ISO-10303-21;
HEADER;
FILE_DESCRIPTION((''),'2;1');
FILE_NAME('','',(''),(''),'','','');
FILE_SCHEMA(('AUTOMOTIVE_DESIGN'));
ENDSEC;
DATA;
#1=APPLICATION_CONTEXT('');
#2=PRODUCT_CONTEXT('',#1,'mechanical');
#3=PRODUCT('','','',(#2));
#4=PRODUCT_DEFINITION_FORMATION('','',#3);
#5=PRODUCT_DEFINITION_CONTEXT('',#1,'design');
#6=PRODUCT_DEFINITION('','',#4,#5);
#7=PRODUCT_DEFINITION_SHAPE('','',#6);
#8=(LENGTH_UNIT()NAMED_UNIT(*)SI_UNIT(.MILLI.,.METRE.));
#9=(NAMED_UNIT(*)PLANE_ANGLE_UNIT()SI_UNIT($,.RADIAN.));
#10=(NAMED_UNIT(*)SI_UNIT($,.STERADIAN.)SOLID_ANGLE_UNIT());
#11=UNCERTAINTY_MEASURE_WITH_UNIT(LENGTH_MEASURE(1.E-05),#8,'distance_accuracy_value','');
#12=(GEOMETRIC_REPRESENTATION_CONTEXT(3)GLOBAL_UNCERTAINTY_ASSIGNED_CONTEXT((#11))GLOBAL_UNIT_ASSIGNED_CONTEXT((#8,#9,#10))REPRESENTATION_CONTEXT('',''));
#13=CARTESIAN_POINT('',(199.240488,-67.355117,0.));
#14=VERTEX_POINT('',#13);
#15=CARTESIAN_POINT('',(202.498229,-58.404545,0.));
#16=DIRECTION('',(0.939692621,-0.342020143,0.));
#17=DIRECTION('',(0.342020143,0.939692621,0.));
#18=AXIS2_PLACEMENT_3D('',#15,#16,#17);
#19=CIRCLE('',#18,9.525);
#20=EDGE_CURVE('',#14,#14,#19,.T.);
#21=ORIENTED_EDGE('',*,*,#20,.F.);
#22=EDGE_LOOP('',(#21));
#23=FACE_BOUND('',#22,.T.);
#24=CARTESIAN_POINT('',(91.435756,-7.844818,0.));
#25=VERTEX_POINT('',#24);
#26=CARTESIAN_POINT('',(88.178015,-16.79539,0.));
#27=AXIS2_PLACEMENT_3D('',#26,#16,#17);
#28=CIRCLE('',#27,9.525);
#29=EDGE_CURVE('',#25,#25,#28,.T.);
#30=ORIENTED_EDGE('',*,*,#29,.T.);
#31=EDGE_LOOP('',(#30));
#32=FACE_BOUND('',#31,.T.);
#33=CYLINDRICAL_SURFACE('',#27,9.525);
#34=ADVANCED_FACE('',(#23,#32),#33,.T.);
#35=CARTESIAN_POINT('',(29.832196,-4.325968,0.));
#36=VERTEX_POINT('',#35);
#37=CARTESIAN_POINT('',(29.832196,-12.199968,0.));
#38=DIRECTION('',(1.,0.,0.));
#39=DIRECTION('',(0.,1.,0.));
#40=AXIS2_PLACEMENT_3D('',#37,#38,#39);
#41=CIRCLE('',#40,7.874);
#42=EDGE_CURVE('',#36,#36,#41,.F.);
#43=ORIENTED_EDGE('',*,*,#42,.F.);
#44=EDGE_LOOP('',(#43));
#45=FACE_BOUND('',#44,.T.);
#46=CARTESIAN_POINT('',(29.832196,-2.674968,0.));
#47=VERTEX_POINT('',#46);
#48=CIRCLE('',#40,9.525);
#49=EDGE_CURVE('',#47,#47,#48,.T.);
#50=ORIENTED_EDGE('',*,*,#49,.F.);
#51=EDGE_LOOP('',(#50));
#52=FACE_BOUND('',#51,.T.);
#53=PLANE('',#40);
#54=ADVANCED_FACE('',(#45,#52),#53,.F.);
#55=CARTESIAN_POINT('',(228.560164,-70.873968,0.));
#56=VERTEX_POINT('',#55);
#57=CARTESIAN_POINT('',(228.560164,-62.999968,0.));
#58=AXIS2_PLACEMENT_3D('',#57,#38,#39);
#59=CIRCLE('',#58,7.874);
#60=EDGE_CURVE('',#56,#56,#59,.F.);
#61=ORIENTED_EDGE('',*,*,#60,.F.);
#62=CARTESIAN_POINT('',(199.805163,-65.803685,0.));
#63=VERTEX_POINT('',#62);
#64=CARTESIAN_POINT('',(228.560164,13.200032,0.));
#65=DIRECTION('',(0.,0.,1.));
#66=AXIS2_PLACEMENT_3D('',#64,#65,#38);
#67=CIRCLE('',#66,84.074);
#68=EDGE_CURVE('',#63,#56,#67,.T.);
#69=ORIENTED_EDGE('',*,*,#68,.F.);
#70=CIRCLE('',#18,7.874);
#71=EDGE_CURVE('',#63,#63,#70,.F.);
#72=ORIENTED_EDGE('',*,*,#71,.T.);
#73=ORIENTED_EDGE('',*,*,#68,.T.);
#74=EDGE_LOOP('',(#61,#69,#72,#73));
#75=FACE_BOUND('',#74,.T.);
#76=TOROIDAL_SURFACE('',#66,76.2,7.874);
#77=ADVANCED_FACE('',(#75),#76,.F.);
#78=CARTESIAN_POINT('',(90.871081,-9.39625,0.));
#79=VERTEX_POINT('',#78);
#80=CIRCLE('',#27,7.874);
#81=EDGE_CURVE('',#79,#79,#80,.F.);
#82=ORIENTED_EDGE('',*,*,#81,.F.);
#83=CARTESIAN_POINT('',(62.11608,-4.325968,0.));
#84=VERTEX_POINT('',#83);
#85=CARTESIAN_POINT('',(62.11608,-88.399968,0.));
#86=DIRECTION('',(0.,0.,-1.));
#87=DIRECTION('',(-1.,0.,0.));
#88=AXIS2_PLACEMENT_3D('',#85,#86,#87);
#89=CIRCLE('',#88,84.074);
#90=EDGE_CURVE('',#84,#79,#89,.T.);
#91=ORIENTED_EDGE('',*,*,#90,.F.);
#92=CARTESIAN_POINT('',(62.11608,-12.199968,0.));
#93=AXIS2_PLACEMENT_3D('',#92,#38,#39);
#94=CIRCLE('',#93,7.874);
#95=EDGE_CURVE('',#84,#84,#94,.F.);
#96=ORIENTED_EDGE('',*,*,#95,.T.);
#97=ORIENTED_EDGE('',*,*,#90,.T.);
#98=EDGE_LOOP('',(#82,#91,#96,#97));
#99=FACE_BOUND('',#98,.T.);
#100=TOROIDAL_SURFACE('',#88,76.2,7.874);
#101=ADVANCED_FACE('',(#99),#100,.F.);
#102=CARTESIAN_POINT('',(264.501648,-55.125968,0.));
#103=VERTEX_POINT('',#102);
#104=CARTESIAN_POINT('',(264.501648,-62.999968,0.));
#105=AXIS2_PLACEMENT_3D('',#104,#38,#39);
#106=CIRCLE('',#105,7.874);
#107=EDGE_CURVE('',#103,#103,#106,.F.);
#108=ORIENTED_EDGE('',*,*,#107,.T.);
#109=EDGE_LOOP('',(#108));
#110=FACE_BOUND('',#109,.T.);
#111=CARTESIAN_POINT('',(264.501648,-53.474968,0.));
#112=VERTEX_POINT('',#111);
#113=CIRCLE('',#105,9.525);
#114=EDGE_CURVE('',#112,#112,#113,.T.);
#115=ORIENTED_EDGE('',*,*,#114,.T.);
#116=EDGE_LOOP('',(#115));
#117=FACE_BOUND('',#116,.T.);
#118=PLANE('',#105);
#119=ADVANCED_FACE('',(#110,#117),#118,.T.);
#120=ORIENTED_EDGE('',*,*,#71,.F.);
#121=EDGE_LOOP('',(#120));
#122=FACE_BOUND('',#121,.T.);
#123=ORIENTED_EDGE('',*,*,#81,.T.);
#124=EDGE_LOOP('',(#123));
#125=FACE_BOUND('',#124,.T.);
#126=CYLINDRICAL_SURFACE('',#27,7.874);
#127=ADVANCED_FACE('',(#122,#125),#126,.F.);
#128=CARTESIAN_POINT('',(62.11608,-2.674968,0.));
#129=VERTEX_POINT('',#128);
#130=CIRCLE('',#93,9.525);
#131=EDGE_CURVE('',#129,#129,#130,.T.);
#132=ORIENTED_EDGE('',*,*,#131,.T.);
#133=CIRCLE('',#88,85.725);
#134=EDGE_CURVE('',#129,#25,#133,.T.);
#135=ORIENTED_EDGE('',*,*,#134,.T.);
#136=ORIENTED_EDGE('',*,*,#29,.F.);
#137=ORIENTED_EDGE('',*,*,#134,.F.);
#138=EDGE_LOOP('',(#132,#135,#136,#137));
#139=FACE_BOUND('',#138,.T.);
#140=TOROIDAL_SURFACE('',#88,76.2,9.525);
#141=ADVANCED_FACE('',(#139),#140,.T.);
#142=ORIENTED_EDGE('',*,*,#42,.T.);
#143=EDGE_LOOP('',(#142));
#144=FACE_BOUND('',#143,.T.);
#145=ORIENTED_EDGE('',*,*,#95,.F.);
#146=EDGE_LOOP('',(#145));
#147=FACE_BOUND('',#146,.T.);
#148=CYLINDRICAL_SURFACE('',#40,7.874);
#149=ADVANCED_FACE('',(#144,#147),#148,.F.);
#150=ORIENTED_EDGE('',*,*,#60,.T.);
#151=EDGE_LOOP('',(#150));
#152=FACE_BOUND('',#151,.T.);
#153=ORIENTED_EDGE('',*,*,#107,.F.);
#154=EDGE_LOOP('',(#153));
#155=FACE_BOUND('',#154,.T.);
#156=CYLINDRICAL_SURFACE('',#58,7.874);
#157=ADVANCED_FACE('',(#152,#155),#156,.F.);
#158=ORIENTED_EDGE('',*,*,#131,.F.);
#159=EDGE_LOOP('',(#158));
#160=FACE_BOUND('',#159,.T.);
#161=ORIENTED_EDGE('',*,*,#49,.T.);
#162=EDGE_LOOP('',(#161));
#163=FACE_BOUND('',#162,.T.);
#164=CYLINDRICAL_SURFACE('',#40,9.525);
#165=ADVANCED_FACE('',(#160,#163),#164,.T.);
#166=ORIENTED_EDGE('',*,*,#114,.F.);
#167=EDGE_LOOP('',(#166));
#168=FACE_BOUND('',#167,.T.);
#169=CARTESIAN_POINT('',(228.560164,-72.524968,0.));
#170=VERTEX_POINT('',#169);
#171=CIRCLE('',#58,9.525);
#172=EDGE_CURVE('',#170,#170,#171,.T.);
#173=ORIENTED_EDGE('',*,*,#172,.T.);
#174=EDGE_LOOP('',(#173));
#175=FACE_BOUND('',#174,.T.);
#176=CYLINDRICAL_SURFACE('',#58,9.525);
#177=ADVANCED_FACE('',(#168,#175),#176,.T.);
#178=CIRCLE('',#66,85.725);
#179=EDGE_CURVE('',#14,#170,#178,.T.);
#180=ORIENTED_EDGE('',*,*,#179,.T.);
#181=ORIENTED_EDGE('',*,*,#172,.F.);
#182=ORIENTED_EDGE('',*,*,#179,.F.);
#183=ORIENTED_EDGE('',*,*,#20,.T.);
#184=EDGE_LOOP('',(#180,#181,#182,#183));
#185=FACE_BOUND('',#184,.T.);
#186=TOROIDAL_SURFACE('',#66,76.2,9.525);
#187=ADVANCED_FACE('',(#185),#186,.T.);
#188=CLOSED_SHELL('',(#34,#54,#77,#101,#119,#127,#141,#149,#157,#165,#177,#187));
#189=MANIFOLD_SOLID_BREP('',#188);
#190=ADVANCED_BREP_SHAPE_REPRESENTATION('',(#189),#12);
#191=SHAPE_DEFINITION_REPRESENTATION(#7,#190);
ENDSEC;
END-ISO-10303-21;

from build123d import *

# Parameters (mm, degrees)
SKETCH2_R   = 9.525
SKETCH2_R_2 = 7.874


with BuildPart() as part:
    # Sweep1: sweep along a path in Sketch1
    with BuildLine(Plane.XY) as sweep1_path:
        Line((29.832195521, -12.199967555), (62.116079591, -12.199967555))
        ThreePointArc((62.116079591, -12.199967555), (75.34807073, -13.357616776), (88.178014513, -16.795389851))
        Line((88.178014513, -16.795389851), (202.498229431, -58.404545256))
        ThreePointArc((202.498229431, -58.404545256), (215.328173214, -61.842318332), (228.560164352, -62.999967552))
        Line((228.560164352, -62.999967552), (264.501648422, -62.999967552))
    # Sketch2 → Sweep1 (sweep)
    with BuildSketch(Plane(origin=(29.832195521, -12.199967555, 0), x_dir=(0, 0, -1), z_dir=(1, 0, 0))):
        Circle(SKETCH2_R)
        Circle(SKETCH2_R_2, mode=Mode.SUBTRACT)
    sweep(path=sweep1_path.line)


solid = part.part
